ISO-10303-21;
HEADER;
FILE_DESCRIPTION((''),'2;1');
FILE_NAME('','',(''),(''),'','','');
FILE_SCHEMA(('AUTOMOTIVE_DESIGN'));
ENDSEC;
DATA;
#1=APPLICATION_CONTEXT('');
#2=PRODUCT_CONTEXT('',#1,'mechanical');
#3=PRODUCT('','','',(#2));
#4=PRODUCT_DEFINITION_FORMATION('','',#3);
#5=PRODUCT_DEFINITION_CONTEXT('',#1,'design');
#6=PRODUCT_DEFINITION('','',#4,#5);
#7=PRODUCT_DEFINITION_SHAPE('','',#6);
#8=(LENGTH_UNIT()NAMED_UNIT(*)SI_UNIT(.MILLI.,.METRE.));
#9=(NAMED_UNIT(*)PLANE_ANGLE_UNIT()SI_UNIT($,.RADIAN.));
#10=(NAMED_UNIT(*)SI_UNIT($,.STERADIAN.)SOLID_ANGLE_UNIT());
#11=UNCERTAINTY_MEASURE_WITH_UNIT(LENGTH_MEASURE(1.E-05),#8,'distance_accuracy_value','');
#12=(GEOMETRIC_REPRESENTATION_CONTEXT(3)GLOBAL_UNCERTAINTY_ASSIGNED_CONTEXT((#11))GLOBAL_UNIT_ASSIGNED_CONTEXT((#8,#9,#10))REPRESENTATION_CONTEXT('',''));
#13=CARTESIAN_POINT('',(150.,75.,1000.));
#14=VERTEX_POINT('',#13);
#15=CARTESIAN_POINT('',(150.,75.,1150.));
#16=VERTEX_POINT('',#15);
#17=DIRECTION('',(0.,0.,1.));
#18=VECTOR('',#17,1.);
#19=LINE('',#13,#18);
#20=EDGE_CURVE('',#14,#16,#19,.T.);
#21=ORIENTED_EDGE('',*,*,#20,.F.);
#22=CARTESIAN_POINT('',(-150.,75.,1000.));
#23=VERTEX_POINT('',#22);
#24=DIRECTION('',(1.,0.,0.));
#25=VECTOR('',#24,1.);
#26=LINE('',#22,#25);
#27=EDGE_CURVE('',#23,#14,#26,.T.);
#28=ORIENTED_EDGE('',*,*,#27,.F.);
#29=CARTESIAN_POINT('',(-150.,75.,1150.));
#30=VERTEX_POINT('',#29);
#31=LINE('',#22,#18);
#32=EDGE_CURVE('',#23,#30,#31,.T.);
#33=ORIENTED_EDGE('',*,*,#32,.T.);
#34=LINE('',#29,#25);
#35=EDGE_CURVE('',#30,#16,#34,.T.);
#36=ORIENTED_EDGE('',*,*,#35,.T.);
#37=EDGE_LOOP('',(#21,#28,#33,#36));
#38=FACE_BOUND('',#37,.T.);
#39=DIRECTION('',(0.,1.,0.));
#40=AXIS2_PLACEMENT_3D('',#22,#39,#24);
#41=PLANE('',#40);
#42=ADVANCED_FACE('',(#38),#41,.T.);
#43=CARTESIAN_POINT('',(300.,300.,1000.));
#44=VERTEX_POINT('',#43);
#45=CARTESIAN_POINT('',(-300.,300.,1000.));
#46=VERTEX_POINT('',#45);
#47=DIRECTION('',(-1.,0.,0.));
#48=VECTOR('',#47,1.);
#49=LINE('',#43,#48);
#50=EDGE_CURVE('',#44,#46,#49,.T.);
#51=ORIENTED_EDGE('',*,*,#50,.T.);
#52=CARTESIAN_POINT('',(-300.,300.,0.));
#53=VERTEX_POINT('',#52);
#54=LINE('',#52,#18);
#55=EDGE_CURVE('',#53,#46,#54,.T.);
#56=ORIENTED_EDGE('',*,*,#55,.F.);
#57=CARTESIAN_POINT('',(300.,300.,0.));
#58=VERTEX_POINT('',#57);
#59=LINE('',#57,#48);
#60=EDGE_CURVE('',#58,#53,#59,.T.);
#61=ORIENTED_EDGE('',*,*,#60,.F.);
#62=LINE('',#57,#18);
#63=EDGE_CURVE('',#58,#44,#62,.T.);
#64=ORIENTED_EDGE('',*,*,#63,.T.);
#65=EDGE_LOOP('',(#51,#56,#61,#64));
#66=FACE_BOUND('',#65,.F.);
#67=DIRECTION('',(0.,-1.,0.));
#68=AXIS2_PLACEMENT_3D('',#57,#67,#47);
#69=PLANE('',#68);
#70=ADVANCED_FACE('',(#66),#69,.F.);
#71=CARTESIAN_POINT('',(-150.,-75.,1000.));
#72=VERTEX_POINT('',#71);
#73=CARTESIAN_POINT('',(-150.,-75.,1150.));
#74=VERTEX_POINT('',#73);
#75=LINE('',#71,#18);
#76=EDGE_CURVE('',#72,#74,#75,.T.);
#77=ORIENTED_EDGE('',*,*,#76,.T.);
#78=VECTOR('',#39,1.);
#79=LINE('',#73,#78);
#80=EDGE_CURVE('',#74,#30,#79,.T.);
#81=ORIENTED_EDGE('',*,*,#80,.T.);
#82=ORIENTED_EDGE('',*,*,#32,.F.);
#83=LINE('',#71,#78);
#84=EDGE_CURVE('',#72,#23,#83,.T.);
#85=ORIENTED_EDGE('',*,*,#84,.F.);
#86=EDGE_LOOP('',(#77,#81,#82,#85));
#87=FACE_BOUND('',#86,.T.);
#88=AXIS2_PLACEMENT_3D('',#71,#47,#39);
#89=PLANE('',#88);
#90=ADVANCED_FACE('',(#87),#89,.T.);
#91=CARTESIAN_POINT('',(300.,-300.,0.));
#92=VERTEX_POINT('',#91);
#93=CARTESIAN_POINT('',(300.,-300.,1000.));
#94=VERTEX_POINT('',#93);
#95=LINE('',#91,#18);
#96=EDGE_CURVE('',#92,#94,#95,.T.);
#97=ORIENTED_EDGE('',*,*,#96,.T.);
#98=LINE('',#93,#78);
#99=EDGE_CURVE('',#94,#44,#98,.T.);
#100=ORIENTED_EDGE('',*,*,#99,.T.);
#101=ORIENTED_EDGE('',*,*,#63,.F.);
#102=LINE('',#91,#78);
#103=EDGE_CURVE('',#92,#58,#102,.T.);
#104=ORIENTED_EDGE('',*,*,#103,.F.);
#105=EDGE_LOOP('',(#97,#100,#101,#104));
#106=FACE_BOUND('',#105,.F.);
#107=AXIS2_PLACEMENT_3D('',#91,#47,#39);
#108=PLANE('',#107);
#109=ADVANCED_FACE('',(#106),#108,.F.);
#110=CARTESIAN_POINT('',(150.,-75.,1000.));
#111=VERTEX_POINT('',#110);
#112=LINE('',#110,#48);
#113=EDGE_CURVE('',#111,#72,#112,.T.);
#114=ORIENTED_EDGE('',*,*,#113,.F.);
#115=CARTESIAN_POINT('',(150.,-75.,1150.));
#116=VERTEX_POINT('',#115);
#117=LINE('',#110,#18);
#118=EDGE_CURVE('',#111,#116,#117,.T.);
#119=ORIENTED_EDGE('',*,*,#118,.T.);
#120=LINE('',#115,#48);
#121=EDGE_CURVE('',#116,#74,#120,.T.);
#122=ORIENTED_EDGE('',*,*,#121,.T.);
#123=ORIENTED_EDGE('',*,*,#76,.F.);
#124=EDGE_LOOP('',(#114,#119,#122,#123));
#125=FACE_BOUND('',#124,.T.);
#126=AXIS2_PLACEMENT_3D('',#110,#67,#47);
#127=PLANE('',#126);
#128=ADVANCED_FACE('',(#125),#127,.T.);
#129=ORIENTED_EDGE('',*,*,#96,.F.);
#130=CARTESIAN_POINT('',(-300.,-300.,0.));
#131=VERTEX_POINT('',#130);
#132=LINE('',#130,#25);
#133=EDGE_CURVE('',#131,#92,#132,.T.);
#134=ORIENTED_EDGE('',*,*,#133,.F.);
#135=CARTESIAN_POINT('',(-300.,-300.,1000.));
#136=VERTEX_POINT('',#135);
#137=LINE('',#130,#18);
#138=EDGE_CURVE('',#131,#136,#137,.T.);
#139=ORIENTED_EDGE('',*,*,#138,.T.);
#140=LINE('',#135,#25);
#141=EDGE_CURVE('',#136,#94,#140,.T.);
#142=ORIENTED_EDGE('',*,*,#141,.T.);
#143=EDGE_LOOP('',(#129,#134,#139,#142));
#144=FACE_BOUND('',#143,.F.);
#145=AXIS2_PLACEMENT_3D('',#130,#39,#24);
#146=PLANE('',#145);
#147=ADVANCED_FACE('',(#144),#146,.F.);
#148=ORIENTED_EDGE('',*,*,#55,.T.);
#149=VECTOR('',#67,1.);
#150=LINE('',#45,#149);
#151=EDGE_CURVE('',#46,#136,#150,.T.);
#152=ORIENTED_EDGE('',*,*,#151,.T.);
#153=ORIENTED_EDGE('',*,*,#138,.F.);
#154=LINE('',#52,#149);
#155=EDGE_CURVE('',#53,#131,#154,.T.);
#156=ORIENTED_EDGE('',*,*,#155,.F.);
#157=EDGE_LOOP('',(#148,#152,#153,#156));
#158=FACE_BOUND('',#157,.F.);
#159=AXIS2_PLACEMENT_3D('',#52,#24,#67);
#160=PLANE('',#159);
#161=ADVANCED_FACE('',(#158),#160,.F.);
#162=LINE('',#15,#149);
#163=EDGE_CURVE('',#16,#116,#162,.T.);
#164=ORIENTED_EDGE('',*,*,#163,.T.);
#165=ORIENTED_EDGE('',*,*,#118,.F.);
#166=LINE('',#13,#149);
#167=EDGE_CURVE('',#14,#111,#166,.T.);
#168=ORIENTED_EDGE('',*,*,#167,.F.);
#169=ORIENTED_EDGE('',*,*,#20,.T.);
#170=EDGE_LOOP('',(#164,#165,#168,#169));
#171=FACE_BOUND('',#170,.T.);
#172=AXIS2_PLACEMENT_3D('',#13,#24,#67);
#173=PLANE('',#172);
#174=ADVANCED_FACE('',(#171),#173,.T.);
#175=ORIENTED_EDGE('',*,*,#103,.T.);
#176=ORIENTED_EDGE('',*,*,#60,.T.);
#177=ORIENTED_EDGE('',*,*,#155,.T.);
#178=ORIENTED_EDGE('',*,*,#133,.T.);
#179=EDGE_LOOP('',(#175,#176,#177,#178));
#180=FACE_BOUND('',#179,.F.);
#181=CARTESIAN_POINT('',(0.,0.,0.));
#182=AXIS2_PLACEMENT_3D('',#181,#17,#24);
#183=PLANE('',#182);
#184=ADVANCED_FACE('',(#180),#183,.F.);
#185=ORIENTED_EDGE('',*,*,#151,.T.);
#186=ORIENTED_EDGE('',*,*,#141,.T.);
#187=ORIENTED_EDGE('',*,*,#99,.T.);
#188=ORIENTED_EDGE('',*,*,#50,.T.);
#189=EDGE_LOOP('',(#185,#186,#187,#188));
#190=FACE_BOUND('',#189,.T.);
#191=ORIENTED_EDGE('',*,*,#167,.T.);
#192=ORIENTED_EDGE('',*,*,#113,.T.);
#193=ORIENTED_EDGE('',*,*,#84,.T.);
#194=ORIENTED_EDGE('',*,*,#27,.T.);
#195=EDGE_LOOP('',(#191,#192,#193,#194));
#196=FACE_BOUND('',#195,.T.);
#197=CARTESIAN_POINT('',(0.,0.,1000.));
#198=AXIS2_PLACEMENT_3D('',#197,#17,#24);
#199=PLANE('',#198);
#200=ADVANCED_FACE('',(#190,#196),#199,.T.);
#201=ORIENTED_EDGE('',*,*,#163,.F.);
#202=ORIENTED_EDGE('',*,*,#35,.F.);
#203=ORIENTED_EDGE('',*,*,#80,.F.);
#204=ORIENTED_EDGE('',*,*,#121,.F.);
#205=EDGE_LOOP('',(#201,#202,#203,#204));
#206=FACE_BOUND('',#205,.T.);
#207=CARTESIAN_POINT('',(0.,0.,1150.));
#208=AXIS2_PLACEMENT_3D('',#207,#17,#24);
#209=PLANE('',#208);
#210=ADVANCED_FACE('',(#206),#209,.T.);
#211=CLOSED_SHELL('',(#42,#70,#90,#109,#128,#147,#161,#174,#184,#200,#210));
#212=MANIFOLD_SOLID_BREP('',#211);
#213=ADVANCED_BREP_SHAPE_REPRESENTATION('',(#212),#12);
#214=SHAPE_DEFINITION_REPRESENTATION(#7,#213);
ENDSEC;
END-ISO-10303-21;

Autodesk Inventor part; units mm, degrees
ref_plane "YZ Plane" through (0, 0, 0) normal (1, 0, 0) x (0, 1, 0)
ref_plane "XZ Plane" through (0, 0, 0) normal (0, 1, 0) x (-1, 0, 0)
ref_plane "XY Plane" through (0, 0, 0) normal (0, 0, 1) x (1, 0, 0)
sketch "Sketch1" plane through (0, 0, 0) normal (0, 0, 1) x (1, 0, 0)
  line L0 (-300, -300) -> (300, -300)
  line L1 (300, -300) -> (300, 300)
  line L2 (300, 300) -> (-300, 300)
  line L3 (-300, 300) -> (-300, -300)
  line L4 (300, -300) -> (-300, 300) construction
  point P0 (0, 0)
  point P1 (0, 0)
  dimension "d0" = 600
  dimension "d1" = 600
extrude "Extrusion1" add sketch "Sketch1" along normal blind 1000
sketch "Sketch2" plane through (0, 0, 1000) normal (0, 0, 1) x (1, 0, 0)
  line L0 (-150, 75) -> (150, 75)
  line L1 (150, 75) -> (150, -75)
  line L2 (150, -75) -> (-150, -75)
  line L3 (-150, -75) -> (-150, 75)
  line L4 (-150, 75) -> (150, -75) construction
  line L5 (150, 75) -> (-150, -75) construction
  point P0 (0, 0)
  dimension "d4" = 300
  dimension "d5" = 150
extrude "Extrusion2" add sketch "Sketch2" along normal blind 150
equation "\"d0\" = Длина"
equation "\"d1\" = Ширина"
equation "\"d2\" = Высота"
equation "\"Длина\" = 600"
equation "\"Ширина\" = 600"
equation "\"Высота\" = 1000"
properties part number "Flocculant barrel"
